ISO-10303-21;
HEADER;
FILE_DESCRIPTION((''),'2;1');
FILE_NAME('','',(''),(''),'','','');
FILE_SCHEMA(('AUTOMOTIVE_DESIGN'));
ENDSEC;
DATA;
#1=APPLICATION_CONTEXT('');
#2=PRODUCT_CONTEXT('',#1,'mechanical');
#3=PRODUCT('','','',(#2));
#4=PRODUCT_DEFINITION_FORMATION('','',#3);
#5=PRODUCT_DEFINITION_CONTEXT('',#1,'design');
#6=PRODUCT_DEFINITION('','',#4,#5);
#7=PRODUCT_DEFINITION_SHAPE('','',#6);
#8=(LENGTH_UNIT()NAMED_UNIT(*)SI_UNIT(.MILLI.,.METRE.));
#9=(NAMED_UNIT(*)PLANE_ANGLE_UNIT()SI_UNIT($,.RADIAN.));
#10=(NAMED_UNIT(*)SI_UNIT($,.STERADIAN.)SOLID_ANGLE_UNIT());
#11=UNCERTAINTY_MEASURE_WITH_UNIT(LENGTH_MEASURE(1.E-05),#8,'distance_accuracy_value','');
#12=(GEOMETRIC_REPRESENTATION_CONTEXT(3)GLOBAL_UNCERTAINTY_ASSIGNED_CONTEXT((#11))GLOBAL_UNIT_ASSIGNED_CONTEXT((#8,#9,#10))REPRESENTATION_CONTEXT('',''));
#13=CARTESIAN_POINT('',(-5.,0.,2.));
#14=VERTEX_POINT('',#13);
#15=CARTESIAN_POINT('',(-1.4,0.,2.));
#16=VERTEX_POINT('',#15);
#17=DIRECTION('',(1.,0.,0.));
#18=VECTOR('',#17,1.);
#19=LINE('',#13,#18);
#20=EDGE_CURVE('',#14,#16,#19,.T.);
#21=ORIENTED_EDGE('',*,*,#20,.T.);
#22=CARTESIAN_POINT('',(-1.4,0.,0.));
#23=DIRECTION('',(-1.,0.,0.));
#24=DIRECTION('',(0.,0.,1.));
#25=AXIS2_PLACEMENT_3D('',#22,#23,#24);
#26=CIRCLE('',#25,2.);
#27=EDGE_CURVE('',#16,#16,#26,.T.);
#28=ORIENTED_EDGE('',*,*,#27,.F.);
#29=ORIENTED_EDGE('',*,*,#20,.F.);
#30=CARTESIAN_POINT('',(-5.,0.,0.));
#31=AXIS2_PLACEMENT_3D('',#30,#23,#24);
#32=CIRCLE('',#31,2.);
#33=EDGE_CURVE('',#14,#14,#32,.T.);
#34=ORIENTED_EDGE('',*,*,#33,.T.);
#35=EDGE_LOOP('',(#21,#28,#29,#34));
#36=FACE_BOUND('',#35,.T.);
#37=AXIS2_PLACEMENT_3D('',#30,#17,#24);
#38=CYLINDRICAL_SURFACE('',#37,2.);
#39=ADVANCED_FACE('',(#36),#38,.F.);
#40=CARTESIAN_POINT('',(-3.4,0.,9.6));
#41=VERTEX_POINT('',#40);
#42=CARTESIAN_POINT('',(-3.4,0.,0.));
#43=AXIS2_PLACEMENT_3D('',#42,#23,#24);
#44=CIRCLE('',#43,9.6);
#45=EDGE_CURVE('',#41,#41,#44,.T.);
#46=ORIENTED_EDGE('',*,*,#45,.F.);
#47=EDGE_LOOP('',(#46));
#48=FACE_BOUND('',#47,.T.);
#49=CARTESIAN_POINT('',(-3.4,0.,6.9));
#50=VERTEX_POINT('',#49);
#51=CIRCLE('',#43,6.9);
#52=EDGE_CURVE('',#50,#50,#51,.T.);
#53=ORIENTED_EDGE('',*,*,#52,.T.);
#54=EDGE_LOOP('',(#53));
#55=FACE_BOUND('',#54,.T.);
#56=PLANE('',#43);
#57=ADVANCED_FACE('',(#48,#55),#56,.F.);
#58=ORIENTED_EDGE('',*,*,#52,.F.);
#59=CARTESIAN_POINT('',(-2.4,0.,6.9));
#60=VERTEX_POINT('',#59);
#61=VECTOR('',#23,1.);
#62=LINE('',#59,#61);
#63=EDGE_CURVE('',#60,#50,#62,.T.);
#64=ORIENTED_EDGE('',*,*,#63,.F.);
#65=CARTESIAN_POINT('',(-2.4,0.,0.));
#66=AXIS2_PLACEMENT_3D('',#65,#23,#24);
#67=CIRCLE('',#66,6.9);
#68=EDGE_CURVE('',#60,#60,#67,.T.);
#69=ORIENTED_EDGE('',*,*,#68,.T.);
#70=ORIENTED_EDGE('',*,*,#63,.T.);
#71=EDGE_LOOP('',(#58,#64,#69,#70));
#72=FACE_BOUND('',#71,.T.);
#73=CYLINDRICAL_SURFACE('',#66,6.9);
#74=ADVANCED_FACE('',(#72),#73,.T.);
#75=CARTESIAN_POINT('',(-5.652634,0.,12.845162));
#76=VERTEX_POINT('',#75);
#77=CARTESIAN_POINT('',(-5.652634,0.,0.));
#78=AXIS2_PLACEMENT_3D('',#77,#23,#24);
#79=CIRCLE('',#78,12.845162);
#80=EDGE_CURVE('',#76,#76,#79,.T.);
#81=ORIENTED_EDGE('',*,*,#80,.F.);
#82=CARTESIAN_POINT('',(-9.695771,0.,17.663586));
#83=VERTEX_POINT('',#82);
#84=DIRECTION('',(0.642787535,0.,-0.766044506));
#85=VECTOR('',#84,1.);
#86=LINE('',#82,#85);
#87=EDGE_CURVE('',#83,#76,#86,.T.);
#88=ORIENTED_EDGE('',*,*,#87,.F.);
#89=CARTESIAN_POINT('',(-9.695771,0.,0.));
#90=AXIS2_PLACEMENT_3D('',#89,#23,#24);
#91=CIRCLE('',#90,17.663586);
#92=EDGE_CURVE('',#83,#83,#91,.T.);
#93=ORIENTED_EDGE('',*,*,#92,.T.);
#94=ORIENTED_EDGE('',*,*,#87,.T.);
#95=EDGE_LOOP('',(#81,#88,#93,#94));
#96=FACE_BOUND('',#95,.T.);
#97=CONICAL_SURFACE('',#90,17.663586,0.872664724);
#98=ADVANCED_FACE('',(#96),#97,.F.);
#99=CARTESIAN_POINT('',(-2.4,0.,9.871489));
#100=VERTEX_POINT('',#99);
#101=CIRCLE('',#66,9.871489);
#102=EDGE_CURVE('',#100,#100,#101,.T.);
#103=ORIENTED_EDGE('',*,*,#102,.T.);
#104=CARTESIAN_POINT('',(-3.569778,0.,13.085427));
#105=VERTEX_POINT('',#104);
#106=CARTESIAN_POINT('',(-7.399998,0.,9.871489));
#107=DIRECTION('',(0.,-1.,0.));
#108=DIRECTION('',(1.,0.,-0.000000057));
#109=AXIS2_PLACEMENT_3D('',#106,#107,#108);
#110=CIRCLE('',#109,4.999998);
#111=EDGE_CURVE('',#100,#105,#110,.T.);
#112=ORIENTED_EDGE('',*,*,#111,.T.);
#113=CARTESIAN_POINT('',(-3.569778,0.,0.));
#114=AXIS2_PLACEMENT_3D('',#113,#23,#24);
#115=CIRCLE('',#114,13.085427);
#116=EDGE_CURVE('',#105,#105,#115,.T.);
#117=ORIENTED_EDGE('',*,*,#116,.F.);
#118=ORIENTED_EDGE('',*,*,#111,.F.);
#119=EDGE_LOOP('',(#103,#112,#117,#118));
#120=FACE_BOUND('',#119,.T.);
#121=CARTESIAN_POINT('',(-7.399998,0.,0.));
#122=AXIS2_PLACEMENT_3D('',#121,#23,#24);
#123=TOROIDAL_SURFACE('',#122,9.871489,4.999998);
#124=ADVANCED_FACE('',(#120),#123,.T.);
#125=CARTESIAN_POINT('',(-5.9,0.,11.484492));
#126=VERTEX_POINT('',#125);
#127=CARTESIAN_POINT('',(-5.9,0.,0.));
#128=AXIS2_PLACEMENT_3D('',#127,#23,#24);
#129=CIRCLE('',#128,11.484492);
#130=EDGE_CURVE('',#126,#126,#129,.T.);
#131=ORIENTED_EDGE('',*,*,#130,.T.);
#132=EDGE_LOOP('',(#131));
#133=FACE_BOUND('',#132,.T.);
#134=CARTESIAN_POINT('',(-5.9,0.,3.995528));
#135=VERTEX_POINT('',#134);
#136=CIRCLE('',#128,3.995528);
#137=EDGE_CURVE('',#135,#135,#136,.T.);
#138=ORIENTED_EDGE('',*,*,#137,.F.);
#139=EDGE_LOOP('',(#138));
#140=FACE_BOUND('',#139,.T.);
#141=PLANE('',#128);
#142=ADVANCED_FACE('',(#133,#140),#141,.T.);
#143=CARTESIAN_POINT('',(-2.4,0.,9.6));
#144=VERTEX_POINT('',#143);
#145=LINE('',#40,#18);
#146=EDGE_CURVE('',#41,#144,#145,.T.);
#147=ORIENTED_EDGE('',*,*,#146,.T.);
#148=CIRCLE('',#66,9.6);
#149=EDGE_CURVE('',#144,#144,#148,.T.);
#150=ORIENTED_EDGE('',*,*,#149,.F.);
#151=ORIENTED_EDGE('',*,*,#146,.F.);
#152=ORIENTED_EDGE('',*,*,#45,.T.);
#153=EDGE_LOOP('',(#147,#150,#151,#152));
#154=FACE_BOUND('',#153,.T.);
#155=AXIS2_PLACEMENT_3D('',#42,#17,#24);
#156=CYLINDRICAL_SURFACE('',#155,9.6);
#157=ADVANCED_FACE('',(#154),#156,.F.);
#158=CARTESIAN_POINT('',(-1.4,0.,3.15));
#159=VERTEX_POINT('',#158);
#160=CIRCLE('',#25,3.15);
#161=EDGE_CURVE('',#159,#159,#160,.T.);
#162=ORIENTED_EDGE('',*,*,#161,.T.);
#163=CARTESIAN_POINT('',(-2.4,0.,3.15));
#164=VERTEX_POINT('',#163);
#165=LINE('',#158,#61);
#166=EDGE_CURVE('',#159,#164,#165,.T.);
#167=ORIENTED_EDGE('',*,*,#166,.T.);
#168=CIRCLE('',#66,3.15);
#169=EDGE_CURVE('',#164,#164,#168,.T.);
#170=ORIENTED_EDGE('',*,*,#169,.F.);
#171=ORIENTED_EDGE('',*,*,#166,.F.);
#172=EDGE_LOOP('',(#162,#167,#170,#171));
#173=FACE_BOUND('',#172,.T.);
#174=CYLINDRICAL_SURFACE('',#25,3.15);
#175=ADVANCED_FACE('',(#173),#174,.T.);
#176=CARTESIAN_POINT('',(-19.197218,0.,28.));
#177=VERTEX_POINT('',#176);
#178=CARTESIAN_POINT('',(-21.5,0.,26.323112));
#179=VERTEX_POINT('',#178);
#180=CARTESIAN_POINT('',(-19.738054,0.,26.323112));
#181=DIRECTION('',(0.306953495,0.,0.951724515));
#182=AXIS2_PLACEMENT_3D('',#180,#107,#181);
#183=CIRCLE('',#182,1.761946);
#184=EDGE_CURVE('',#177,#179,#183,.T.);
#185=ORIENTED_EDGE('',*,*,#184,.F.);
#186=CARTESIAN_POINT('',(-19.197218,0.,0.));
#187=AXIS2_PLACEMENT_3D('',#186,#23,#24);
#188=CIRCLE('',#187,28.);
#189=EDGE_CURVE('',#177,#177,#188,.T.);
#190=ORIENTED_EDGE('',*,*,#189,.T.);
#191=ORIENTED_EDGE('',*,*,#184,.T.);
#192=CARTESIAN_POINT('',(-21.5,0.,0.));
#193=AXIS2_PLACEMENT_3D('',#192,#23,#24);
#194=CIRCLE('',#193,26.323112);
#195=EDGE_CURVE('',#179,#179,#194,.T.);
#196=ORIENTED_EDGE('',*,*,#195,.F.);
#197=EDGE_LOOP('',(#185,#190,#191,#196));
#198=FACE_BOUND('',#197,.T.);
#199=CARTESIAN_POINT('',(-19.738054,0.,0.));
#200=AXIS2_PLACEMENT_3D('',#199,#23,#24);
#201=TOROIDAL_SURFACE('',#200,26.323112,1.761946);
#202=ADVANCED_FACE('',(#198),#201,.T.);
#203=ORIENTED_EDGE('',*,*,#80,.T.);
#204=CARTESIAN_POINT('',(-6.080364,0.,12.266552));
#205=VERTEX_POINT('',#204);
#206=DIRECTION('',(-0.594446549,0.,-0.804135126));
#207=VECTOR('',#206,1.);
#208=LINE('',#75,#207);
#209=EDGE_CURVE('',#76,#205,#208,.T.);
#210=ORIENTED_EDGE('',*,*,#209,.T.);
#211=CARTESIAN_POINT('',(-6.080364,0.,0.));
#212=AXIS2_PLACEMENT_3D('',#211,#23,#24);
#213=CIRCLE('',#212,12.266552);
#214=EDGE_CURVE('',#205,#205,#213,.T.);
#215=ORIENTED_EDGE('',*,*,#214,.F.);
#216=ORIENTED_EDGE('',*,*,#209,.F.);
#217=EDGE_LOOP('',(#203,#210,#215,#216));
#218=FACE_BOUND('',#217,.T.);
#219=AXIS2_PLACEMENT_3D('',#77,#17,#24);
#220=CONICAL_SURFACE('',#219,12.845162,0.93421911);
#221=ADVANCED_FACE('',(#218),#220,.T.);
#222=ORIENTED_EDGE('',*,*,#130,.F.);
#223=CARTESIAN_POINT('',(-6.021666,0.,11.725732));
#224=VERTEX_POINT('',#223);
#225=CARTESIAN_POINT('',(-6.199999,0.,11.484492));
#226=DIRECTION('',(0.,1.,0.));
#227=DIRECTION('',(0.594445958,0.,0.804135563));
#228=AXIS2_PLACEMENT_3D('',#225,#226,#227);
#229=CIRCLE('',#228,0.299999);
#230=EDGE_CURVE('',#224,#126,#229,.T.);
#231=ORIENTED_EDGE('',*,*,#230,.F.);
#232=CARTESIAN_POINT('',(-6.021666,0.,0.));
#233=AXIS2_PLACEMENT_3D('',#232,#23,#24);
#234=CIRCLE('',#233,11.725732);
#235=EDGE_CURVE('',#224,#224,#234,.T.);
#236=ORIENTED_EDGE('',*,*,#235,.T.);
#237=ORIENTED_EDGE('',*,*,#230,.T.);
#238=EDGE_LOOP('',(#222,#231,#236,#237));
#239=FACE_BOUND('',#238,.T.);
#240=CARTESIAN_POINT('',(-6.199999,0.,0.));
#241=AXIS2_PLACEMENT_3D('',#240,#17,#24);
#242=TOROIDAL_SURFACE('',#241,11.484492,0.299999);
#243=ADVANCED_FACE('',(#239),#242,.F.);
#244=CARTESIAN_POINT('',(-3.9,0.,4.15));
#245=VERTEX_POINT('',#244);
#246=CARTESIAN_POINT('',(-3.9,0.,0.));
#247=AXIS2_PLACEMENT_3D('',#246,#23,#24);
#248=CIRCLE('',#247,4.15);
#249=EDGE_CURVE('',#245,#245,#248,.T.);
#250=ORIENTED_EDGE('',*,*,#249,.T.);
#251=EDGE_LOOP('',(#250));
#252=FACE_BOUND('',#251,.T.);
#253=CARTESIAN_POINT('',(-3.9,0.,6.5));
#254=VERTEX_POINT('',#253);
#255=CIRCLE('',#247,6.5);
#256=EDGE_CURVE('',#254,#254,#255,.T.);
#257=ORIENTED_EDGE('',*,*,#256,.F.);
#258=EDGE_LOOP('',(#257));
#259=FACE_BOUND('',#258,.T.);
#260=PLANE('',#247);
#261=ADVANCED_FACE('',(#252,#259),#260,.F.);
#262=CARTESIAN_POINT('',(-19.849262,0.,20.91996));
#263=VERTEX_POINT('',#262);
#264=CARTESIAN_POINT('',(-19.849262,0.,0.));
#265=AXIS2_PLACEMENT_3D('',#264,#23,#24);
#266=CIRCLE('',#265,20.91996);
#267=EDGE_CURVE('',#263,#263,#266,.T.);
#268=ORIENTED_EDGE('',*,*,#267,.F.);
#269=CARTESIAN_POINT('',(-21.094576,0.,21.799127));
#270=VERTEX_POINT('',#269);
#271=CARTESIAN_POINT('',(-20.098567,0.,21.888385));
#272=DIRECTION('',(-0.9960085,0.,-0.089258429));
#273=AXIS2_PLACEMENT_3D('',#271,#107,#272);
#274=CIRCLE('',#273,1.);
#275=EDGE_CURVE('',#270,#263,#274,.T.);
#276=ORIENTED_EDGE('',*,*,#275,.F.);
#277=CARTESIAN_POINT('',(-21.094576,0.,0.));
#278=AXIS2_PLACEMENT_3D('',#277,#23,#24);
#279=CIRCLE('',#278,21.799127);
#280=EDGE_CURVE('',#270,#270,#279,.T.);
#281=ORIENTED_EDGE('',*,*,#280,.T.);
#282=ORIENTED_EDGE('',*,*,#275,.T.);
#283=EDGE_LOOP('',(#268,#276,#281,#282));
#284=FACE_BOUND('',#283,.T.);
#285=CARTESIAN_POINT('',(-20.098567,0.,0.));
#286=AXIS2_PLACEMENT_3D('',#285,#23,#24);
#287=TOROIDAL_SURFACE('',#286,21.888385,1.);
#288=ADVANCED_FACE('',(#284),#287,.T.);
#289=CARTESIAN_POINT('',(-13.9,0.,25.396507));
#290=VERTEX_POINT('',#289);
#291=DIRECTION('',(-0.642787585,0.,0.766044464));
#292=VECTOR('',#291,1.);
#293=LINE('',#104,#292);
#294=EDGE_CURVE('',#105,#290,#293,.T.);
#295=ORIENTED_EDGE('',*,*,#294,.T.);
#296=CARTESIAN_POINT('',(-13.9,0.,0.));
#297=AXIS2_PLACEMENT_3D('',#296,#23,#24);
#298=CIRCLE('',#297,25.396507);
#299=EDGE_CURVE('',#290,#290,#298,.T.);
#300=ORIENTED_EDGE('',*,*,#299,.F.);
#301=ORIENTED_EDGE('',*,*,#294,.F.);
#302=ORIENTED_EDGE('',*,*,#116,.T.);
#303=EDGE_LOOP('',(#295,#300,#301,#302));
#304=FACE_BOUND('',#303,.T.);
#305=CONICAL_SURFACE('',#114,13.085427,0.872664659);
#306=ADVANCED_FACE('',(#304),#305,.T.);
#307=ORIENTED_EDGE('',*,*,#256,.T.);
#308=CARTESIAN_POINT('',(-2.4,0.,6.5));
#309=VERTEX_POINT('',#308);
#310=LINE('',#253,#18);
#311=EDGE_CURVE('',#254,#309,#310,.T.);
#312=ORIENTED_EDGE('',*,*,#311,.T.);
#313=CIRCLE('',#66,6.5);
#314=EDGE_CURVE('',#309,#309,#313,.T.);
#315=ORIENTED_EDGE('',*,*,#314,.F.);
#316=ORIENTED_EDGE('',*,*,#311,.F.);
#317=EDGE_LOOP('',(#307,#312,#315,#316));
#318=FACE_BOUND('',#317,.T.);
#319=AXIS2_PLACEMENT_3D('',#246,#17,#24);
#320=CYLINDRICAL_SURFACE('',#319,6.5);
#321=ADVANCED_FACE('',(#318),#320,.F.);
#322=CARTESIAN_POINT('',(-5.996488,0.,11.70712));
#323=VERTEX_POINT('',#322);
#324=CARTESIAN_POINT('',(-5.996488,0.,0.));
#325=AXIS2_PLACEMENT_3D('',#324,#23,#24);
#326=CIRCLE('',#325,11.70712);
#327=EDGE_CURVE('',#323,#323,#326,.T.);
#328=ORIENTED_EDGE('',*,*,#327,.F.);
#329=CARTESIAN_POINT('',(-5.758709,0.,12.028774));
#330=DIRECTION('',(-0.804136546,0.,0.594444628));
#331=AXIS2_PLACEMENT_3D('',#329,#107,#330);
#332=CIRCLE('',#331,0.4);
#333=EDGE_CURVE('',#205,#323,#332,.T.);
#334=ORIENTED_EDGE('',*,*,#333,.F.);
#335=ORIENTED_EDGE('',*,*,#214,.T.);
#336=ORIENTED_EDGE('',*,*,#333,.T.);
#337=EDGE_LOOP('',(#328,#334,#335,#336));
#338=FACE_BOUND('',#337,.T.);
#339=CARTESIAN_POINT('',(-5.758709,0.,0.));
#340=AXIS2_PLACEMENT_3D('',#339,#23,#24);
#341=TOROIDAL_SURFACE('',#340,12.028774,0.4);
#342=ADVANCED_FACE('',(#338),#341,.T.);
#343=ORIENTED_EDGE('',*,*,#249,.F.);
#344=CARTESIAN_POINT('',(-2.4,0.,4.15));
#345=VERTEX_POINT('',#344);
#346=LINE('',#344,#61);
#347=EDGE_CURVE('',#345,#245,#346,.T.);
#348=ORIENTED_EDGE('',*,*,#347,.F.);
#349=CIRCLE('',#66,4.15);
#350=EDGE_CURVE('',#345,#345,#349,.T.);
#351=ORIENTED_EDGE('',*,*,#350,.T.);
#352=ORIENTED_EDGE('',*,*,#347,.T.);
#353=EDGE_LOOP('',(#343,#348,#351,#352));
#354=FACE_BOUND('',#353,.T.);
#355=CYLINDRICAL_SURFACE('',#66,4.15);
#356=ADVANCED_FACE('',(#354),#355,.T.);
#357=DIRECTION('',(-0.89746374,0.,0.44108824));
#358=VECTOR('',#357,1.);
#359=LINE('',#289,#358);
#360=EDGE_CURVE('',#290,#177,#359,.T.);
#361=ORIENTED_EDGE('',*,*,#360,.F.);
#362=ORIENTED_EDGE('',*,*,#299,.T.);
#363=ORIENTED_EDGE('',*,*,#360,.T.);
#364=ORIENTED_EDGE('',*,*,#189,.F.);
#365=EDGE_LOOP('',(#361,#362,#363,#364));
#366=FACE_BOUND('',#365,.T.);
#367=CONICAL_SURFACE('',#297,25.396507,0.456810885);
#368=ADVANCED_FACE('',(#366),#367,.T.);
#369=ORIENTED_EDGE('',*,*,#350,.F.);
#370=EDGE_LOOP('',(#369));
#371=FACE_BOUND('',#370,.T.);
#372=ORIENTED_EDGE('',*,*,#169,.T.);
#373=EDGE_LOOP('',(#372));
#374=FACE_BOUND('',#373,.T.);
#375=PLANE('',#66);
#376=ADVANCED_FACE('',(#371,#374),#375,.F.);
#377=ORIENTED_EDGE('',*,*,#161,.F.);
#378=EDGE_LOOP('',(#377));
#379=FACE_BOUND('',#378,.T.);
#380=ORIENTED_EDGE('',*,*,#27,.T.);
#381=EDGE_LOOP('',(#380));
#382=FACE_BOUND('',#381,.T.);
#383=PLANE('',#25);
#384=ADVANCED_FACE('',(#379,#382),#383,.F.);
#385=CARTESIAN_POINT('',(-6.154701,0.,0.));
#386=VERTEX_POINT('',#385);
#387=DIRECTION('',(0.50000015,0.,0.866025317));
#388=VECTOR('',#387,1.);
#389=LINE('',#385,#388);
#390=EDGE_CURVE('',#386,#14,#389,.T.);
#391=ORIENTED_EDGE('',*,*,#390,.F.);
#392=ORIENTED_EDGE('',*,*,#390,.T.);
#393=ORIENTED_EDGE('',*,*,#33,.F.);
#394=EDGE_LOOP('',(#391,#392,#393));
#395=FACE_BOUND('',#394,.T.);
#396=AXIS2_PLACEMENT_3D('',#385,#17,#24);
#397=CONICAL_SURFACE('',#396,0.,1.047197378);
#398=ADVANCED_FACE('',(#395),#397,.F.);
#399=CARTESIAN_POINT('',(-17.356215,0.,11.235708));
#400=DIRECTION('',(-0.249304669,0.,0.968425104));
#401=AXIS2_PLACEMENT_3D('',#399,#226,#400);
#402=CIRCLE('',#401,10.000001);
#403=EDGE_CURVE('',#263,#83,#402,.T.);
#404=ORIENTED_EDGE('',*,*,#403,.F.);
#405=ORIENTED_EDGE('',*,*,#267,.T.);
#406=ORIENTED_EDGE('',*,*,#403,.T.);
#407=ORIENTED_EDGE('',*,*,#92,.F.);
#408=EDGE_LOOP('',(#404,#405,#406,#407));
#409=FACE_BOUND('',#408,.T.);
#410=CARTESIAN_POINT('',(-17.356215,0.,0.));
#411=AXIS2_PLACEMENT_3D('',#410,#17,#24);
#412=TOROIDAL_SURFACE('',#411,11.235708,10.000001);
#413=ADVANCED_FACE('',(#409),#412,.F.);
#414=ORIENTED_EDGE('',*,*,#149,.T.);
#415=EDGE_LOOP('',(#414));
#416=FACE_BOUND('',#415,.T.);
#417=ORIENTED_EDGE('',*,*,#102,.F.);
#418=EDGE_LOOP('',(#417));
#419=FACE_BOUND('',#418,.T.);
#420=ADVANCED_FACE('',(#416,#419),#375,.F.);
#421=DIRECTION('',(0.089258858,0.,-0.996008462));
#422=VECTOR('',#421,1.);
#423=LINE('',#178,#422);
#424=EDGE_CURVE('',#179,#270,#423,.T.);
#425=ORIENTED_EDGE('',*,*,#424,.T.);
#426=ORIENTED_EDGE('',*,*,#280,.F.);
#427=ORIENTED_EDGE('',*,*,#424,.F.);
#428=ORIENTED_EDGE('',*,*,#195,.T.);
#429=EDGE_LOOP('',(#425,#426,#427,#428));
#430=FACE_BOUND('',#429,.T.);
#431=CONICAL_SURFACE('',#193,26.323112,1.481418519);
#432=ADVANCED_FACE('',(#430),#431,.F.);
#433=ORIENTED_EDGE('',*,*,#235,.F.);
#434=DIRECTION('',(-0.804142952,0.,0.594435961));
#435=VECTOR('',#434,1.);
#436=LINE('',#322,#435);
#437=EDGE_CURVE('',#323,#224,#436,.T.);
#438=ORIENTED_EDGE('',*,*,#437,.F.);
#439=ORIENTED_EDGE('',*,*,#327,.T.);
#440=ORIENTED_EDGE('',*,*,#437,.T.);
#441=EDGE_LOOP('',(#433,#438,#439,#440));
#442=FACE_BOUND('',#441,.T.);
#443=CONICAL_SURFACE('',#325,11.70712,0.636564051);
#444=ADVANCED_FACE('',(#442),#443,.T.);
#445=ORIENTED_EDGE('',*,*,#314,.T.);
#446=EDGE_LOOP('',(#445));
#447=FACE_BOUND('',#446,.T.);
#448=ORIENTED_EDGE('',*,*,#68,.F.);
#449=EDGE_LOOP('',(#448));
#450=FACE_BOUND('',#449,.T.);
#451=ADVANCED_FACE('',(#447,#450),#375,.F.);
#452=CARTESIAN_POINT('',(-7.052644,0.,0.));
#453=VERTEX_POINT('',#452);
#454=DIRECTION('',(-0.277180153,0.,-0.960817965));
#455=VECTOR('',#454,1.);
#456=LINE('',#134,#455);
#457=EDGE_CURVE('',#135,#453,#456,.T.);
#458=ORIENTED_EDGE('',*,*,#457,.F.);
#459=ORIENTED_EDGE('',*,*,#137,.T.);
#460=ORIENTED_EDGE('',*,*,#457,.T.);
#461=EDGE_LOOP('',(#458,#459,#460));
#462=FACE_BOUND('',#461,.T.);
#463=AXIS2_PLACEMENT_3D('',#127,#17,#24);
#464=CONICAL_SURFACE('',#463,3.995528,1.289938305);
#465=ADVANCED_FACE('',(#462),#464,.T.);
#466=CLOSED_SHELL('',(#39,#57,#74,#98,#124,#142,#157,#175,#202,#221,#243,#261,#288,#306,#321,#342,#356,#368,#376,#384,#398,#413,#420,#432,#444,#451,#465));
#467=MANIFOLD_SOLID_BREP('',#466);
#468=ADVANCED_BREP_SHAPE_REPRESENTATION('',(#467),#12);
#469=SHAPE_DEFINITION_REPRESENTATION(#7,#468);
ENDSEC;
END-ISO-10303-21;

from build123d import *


with BuildPart() as f1:
    # F0 (on Front) → F1 (revolve)
    with BuildSketch(Plane.XZ):
        with BuildLine():
            Line((-5, 2), (-1.4, 2))
            Line((-1.4, 2), (-1.4, 3.15))
            Line((-1.4, 3.15), (-2.4, 3.15))
            Line((-2.4, 3.15), (-2.4, 4.15))
            Line((-2.4, 4.15), (-3.9, 4.15))
            Line((-3.9, 4.15), (-3.9, 6.5))
            Line((-3.9, 6.5), (-2.4, 6.5))
            Line((-2.4, 6.5), (-2.4, 6.9))
            Line((-2.4, 6.9), (-3.4, 6.9))
            Line((-3.4, 6.9), (-3.4, 9.6))
            Line((-3.4, 9.6), (-2.4, 9.6))
            Line((-2.4, 9.6), (-2.4, 9.871489))
            ThreePointArc((-2.4, 9.871489), (-2.701537, 11.58159), (-3.569778, 13.085427))
            Line((-3.569778, 13.085427), (-13.9, 25.396507))
            Line((-13.9, 25.396507), (-19.197218, 28))
            ThreePointArc((-19.197218, 28), (-20.775245, 27.747433), (-21.5, 26.323112))
            Line((-21.5, 26.323112), (-21.094576, 21.799127))
            ThreePointArc((-21.094576, 21.799127), (-20.675304, 21.071455), (-19.849262, 20.91996))
            ThreePointArc((-19.849262, 20.91996), (-14.302285, 20.757973), (-9.695771, 17.663586))
            Line((-9.695771, 17.663586), (-5.652634, 12.845162))
            Line((-5.652634, 12.845162), (-6.080364, 12.266552))
            ThreePointArc((-6.080364, 12.266552), (-6.154288, 11.969465), (-5.996488, 11.70712))
            Line((-5.996488, 11.70712), (-6.021666, 11.725732))
            ThreePointArc((-6.021666, 11.725732), (-5.932138, 11.619584), (-5.9, 11.484492))
            Line((-5.9, 11.484492), (-5.9, 3.995528))
            Line((-5.9, 3.995528), (-7.052644, 0))
            Line((-7.052644, 0), (-6.154701, 0))
            Line((-6.154701, 0), (-5, 2))
        make_face()
    revolve(axis=Axis((-6.603672, 0, 0), (-1, 0, 0)))


solid = f1.part
